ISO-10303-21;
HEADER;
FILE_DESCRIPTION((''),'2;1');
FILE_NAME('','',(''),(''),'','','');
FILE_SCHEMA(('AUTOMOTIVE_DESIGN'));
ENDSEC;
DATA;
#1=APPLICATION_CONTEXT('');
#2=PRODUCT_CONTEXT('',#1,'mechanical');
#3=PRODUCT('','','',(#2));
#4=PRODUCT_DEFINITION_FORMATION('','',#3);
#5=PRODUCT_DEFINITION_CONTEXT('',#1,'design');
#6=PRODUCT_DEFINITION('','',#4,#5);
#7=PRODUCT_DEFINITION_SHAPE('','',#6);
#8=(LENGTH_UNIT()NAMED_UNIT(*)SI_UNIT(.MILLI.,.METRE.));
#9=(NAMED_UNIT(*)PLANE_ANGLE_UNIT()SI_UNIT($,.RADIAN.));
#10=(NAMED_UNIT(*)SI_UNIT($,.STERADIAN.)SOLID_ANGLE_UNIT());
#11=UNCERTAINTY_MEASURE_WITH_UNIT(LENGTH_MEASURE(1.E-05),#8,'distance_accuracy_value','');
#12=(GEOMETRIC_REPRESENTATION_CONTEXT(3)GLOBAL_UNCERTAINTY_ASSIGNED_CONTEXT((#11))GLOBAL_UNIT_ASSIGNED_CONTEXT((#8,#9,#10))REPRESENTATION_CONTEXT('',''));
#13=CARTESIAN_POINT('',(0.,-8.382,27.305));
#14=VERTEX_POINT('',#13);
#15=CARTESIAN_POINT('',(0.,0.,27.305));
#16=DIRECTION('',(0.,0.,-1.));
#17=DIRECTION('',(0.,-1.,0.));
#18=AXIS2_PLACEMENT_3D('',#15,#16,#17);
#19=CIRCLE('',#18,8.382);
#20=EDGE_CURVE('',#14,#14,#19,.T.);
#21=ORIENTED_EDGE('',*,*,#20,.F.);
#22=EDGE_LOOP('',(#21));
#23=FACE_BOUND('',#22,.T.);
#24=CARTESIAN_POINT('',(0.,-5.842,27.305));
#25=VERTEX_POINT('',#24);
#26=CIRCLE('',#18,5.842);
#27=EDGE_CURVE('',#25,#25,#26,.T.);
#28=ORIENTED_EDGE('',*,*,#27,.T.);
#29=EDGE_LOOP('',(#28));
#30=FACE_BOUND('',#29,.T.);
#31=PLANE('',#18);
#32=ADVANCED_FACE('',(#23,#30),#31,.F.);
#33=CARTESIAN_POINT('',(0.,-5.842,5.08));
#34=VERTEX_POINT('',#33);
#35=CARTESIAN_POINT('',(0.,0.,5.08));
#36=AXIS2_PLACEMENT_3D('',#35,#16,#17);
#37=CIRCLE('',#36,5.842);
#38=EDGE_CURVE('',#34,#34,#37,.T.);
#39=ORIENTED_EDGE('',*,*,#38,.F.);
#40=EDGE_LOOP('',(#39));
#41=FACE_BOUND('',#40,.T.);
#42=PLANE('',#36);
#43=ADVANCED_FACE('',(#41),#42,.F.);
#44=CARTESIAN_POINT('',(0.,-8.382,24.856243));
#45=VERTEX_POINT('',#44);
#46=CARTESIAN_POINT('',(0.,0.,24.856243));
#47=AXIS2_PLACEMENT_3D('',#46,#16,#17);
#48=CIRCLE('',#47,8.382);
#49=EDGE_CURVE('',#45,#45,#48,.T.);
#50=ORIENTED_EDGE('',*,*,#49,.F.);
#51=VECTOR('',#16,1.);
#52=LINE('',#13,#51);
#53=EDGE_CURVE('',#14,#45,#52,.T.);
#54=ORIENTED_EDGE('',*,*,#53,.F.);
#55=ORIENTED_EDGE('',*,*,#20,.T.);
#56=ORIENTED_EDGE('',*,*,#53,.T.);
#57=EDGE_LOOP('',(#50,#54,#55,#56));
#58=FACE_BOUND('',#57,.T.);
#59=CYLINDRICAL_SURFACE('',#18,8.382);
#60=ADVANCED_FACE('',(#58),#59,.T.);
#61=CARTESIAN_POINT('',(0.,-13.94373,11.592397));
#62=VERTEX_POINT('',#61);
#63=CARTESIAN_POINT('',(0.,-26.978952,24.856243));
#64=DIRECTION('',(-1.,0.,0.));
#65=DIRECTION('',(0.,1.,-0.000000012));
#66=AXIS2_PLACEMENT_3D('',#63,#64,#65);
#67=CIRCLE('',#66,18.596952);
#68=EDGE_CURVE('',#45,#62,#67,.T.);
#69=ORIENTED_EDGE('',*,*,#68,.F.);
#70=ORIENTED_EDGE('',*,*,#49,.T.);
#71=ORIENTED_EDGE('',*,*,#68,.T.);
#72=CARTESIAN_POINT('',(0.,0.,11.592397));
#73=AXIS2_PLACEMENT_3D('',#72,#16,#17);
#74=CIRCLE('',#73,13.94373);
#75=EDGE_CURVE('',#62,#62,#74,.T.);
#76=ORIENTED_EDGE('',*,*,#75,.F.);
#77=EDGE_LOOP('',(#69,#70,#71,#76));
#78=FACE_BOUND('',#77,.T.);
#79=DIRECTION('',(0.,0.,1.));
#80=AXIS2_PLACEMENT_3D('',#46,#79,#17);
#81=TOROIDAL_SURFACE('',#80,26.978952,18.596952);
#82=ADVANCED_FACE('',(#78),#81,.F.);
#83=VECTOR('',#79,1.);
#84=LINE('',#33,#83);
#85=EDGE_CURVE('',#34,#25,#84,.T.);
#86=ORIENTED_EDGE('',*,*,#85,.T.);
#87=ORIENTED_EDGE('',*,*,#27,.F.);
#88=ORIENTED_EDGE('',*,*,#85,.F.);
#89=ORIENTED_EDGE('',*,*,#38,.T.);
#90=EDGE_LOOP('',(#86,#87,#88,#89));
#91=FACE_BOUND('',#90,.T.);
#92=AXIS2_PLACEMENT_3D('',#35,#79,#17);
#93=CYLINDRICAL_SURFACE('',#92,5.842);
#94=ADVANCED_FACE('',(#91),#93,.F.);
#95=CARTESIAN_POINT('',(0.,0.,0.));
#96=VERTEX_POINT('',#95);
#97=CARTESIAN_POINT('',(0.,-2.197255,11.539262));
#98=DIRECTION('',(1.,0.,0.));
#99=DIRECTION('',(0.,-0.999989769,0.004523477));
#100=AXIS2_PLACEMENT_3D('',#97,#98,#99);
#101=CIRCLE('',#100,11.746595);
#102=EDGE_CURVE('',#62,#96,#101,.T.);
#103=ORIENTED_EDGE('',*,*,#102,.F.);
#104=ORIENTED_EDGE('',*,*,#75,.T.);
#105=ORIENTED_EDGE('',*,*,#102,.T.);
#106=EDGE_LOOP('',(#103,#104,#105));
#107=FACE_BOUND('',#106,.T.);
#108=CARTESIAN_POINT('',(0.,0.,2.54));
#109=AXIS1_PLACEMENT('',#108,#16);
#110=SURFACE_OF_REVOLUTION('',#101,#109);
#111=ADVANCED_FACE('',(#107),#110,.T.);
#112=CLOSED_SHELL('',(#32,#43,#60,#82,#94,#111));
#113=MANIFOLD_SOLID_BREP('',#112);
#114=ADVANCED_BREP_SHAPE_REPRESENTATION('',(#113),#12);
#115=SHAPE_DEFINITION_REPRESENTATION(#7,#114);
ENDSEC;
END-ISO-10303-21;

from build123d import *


with BuildPart() as f1:
    # F0 (on Right) → F1 (revolve)
    with BuildSketch(Plane.YZ):
        with BuildLine():
            Line((-5.842, 5.08), (-5.842, 27.305))
            Line((-5.842, 27.305), (-8.382, 27.305))
            Line((-8.382, 27.305), (-8.382, 24.856243))
            ThreePointArc((-8.382, 24.856243), (-9.828704, 17.664886), (-13.94373, 11.592397))
            ThreePointArc((-13.94373, 11.592397), (-9.70677, 2.506561), (0, 0))
            Line((0, 0), (0, 5.08))
            Line((0, 5.08), (-5.842, 5.08))
        make_face()
    revolve(axis=Axis((0, 0, 2.54), (0, 0, -1)))


solid = f1.part
